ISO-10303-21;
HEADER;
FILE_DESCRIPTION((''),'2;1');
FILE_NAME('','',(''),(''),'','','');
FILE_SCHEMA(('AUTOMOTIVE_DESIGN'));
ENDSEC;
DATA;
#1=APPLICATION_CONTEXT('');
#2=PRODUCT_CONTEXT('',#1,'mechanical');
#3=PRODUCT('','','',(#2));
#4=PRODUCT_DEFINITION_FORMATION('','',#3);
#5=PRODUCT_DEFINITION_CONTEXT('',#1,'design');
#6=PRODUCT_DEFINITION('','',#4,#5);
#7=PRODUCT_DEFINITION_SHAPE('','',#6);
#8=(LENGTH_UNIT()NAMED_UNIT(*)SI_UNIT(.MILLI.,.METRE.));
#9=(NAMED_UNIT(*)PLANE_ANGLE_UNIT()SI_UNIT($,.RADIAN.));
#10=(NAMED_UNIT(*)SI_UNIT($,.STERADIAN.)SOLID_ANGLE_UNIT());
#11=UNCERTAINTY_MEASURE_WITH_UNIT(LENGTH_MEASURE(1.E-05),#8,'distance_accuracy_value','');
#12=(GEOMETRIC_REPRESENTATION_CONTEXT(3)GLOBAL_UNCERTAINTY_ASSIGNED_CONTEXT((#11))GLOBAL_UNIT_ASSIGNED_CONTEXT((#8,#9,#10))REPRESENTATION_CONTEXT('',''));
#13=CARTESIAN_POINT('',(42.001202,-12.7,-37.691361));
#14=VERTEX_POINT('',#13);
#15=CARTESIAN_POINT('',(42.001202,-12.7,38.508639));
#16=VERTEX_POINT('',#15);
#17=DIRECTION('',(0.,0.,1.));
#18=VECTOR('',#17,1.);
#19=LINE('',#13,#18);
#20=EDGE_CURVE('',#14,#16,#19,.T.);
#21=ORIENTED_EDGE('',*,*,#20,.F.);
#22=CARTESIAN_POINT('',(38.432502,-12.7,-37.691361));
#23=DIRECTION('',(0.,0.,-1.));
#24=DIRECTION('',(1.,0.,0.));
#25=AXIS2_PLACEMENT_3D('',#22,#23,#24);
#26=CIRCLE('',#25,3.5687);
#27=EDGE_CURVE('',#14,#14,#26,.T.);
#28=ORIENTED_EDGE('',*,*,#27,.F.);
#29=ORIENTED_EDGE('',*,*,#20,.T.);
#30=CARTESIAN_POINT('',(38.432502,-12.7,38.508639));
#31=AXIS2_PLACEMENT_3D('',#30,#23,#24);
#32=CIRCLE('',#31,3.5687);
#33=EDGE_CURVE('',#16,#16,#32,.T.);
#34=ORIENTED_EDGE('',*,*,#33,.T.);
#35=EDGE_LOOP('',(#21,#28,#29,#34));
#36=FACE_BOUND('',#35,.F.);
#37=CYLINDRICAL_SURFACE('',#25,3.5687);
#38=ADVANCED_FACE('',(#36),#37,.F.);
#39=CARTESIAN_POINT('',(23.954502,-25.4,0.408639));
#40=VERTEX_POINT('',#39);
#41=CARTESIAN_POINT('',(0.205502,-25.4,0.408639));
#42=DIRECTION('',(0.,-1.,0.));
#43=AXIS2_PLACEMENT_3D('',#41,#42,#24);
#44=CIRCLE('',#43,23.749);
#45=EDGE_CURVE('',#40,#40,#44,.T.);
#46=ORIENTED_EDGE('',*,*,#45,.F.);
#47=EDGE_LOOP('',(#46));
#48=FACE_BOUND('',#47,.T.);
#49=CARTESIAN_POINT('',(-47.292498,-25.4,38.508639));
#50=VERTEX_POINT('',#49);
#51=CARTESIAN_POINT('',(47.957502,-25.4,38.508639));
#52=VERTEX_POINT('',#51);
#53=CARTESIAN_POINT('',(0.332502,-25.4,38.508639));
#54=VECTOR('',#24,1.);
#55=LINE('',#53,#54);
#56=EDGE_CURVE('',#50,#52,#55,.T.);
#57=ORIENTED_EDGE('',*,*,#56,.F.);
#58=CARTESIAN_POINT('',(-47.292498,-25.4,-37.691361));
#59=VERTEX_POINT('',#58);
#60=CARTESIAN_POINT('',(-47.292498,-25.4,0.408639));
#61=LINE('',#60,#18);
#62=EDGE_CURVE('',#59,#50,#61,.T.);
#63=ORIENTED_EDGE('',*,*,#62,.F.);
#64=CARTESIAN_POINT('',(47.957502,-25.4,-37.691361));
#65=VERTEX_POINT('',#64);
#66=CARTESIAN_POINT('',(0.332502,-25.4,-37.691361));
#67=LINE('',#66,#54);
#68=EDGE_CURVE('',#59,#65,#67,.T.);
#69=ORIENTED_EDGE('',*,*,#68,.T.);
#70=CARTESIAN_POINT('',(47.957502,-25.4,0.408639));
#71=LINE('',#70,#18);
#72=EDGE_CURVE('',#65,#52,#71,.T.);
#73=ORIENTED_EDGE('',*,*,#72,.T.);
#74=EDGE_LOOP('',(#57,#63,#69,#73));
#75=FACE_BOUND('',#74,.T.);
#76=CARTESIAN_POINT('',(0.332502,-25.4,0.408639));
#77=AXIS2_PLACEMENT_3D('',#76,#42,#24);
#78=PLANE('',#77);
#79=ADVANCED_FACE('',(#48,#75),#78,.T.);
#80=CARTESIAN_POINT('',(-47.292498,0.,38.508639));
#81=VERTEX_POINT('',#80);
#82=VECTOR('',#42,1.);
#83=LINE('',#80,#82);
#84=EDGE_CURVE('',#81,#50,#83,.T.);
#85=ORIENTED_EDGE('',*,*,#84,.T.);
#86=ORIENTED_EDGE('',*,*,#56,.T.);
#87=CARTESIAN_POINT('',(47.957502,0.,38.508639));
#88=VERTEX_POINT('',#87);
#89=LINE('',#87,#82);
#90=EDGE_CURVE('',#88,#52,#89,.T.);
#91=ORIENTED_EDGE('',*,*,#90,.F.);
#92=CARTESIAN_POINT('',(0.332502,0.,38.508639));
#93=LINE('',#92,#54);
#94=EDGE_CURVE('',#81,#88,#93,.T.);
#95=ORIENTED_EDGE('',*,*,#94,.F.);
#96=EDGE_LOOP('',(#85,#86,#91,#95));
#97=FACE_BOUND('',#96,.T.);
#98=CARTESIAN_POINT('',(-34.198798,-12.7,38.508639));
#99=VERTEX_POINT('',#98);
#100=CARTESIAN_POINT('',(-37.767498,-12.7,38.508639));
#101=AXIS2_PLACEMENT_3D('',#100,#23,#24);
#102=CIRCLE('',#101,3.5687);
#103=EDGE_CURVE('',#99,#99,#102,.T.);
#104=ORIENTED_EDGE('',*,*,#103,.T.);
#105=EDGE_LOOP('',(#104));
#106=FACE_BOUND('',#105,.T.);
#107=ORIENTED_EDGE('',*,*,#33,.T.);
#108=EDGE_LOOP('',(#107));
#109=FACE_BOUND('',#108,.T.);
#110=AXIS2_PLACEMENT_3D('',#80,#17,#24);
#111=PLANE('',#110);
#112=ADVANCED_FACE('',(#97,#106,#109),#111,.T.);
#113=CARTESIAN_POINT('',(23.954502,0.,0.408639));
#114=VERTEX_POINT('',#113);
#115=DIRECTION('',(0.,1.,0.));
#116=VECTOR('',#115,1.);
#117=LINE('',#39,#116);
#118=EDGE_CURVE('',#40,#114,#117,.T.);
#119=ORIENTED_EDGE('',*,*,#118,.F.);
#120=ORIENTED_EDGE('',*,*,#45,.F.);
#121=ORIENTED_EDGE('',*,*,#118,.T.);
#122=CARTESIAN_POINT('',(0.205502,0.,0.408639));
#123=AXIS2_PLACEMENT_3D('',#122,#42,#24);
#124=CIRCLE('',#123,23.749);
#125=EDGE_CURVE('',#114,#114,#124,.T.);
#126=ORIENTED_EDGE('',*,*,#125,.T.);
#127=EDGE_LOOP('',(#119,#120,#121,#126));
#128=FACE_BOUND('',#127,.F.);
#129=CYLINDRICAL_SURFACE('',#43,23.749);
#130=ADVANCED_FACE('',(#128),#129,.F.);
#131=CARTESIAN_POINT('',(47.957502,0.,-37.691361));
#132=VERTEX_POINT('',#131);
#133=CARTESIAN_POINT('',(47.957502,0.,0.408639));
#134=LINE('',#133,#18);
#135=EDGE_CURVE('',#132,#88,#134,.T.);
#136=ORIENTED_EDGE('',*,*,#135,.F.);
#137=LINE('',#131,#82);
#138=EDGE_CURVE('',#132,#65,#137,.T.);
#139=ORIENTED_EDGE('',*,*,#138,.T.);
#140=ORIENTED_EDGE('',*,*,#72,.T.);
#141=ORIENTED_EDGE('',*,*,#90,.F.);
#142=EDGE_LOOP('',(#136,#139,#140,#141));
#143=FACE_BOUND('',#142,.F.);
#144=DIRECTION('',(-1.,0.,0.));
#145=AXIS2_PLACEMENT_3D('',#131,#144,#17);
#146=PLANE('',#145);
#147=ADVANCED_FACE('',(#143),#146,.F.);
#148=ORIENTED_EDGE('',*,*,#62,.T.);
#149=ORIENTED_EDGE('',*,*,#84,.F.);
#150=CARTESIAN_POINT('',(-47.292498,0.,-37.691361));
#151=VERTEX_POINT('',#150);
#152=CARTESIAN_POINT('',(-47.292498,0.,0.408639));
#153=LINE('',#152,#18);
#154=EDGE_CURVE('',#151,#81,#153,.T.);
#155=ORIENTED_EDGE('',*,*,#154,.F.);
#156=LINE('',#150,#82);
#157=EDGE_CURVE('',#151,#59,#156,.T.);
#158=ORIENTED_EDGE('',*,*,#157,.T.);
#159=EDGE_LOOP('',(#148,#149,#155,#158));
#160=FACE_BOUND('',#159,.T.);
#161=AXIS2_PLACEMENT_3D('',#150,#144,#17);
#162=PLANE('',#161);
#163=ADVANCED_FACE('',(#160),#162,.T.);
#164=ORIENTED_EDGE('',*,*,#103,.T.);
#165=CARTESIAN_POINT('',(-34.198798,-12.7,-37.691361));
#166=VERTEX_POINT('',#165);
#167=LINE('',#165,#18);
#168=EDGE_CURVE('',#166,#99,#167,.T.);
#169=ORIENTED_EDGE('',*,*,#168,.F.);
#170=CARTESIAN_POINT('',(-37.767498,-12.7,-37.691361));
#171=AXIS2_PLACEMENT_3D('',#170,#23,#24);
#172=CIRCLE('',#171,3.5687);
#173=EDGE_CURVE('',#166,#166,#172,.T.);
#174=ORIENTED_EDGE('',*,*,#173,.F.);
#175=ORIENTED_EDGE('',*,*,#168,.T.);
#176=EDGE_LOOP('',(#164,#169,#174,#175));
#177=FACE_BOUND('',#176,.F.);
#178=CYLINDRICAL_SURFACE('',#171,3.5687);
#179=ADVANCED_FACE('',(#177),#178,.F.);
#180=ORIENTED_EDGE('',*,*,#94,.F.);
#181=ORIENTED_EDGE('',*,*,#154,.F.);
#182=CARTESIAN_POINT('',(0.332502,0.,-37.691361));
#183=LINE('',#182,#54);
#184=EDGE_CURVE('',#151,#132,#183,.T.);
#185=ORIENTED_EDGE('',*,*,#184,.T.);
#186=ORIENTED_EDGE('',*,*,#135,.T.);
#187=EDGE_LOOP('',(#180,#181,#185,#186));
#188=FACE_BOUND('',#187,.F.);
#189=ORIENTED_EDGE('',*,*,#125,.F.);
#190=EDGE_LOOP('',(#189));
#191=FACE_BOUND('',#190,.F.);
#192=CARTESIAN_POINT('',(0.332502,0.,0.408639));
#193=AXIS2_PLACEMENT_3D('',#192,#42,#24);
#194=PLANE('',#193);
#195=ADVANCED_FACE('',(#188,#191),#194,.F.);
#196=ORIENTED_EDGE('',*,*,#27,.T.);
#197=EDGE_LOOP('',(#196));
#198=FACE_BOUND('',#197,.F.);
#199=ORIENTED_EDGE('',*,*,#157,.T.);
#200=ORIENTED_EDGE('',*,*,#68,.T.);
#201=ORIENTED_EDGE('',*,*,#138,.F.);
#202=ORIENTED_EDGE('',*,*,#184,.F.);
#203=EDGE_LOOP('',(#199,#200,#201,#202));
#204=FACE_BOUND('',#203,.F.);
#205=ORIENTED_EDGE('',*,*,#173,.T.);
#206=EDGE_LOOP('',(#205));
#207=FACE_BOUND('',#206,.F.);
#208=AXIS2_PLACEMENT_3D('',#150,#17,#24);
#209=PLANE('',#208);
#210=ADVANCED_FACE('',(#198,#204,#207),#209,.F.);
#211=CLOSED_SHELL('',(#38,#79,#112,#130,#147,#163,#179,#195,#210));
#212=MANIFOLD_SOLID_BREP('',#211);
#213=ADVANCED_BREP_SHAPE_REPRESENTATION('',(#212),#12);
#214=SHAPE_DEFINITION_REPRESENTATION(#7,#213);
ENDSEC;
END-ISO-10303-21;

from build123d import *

# Parameters (mm, degrees)
F0_W     = 95.25
F0_H     = 76.2
F1_DEPTH = 25.4
F2_R     = 23.749
F3_DEPTH = 25.401
F4_R     = 3.5687
F5_DEPTH = 76.201
F6_R     = 3.5687
F7_DEPTH = 76.201


with BuildPart() as f1:
    # F0 (on Front) → F1 (new body)
    with BuildSketch(Plane.XZ):
        with Locations((0.332502, 0.408639)):
            Rectangle(F0_W, F0_H)
    extrude(amount=F1_DEPTH)

    # F2 (on face) → F3 (cut, through all)
    with BuildSketch(Plane.XZ.offset(25.4)):
        with Locations((0.205502, 0.408639)):
            Circle(F2_R)
    extrude(amount=-F3_DEPTH, mode=Mode.SUBTRACT)

    # F4 (on face) → F5 (cut, through all)
    with BuildSketch(Plane(origin=(0, 0, -37.691361), x_dir=(1, 0, 0), z_dir=(0, 0, -1))):
        with Locations((-37.767498, 12.7)):
            Circle(F4_R)
    extrude(amount=-F5_DEPTH, mode=Mode.SUBTRACT)

    # F6 (on face) → F7 (cut, through all)
    with BuildSketch(Plane(origin=(0, 0, -37.691361), x_dir=(1, 0, 0), z_dir=(0, 0, -1))):
        with Locations((38.432502, 12.7)):
            Circle(F6_R)
    extrude(amount=-F7_DEPTH, mode=Mode.SUBTRACT)


solid = f1.part
